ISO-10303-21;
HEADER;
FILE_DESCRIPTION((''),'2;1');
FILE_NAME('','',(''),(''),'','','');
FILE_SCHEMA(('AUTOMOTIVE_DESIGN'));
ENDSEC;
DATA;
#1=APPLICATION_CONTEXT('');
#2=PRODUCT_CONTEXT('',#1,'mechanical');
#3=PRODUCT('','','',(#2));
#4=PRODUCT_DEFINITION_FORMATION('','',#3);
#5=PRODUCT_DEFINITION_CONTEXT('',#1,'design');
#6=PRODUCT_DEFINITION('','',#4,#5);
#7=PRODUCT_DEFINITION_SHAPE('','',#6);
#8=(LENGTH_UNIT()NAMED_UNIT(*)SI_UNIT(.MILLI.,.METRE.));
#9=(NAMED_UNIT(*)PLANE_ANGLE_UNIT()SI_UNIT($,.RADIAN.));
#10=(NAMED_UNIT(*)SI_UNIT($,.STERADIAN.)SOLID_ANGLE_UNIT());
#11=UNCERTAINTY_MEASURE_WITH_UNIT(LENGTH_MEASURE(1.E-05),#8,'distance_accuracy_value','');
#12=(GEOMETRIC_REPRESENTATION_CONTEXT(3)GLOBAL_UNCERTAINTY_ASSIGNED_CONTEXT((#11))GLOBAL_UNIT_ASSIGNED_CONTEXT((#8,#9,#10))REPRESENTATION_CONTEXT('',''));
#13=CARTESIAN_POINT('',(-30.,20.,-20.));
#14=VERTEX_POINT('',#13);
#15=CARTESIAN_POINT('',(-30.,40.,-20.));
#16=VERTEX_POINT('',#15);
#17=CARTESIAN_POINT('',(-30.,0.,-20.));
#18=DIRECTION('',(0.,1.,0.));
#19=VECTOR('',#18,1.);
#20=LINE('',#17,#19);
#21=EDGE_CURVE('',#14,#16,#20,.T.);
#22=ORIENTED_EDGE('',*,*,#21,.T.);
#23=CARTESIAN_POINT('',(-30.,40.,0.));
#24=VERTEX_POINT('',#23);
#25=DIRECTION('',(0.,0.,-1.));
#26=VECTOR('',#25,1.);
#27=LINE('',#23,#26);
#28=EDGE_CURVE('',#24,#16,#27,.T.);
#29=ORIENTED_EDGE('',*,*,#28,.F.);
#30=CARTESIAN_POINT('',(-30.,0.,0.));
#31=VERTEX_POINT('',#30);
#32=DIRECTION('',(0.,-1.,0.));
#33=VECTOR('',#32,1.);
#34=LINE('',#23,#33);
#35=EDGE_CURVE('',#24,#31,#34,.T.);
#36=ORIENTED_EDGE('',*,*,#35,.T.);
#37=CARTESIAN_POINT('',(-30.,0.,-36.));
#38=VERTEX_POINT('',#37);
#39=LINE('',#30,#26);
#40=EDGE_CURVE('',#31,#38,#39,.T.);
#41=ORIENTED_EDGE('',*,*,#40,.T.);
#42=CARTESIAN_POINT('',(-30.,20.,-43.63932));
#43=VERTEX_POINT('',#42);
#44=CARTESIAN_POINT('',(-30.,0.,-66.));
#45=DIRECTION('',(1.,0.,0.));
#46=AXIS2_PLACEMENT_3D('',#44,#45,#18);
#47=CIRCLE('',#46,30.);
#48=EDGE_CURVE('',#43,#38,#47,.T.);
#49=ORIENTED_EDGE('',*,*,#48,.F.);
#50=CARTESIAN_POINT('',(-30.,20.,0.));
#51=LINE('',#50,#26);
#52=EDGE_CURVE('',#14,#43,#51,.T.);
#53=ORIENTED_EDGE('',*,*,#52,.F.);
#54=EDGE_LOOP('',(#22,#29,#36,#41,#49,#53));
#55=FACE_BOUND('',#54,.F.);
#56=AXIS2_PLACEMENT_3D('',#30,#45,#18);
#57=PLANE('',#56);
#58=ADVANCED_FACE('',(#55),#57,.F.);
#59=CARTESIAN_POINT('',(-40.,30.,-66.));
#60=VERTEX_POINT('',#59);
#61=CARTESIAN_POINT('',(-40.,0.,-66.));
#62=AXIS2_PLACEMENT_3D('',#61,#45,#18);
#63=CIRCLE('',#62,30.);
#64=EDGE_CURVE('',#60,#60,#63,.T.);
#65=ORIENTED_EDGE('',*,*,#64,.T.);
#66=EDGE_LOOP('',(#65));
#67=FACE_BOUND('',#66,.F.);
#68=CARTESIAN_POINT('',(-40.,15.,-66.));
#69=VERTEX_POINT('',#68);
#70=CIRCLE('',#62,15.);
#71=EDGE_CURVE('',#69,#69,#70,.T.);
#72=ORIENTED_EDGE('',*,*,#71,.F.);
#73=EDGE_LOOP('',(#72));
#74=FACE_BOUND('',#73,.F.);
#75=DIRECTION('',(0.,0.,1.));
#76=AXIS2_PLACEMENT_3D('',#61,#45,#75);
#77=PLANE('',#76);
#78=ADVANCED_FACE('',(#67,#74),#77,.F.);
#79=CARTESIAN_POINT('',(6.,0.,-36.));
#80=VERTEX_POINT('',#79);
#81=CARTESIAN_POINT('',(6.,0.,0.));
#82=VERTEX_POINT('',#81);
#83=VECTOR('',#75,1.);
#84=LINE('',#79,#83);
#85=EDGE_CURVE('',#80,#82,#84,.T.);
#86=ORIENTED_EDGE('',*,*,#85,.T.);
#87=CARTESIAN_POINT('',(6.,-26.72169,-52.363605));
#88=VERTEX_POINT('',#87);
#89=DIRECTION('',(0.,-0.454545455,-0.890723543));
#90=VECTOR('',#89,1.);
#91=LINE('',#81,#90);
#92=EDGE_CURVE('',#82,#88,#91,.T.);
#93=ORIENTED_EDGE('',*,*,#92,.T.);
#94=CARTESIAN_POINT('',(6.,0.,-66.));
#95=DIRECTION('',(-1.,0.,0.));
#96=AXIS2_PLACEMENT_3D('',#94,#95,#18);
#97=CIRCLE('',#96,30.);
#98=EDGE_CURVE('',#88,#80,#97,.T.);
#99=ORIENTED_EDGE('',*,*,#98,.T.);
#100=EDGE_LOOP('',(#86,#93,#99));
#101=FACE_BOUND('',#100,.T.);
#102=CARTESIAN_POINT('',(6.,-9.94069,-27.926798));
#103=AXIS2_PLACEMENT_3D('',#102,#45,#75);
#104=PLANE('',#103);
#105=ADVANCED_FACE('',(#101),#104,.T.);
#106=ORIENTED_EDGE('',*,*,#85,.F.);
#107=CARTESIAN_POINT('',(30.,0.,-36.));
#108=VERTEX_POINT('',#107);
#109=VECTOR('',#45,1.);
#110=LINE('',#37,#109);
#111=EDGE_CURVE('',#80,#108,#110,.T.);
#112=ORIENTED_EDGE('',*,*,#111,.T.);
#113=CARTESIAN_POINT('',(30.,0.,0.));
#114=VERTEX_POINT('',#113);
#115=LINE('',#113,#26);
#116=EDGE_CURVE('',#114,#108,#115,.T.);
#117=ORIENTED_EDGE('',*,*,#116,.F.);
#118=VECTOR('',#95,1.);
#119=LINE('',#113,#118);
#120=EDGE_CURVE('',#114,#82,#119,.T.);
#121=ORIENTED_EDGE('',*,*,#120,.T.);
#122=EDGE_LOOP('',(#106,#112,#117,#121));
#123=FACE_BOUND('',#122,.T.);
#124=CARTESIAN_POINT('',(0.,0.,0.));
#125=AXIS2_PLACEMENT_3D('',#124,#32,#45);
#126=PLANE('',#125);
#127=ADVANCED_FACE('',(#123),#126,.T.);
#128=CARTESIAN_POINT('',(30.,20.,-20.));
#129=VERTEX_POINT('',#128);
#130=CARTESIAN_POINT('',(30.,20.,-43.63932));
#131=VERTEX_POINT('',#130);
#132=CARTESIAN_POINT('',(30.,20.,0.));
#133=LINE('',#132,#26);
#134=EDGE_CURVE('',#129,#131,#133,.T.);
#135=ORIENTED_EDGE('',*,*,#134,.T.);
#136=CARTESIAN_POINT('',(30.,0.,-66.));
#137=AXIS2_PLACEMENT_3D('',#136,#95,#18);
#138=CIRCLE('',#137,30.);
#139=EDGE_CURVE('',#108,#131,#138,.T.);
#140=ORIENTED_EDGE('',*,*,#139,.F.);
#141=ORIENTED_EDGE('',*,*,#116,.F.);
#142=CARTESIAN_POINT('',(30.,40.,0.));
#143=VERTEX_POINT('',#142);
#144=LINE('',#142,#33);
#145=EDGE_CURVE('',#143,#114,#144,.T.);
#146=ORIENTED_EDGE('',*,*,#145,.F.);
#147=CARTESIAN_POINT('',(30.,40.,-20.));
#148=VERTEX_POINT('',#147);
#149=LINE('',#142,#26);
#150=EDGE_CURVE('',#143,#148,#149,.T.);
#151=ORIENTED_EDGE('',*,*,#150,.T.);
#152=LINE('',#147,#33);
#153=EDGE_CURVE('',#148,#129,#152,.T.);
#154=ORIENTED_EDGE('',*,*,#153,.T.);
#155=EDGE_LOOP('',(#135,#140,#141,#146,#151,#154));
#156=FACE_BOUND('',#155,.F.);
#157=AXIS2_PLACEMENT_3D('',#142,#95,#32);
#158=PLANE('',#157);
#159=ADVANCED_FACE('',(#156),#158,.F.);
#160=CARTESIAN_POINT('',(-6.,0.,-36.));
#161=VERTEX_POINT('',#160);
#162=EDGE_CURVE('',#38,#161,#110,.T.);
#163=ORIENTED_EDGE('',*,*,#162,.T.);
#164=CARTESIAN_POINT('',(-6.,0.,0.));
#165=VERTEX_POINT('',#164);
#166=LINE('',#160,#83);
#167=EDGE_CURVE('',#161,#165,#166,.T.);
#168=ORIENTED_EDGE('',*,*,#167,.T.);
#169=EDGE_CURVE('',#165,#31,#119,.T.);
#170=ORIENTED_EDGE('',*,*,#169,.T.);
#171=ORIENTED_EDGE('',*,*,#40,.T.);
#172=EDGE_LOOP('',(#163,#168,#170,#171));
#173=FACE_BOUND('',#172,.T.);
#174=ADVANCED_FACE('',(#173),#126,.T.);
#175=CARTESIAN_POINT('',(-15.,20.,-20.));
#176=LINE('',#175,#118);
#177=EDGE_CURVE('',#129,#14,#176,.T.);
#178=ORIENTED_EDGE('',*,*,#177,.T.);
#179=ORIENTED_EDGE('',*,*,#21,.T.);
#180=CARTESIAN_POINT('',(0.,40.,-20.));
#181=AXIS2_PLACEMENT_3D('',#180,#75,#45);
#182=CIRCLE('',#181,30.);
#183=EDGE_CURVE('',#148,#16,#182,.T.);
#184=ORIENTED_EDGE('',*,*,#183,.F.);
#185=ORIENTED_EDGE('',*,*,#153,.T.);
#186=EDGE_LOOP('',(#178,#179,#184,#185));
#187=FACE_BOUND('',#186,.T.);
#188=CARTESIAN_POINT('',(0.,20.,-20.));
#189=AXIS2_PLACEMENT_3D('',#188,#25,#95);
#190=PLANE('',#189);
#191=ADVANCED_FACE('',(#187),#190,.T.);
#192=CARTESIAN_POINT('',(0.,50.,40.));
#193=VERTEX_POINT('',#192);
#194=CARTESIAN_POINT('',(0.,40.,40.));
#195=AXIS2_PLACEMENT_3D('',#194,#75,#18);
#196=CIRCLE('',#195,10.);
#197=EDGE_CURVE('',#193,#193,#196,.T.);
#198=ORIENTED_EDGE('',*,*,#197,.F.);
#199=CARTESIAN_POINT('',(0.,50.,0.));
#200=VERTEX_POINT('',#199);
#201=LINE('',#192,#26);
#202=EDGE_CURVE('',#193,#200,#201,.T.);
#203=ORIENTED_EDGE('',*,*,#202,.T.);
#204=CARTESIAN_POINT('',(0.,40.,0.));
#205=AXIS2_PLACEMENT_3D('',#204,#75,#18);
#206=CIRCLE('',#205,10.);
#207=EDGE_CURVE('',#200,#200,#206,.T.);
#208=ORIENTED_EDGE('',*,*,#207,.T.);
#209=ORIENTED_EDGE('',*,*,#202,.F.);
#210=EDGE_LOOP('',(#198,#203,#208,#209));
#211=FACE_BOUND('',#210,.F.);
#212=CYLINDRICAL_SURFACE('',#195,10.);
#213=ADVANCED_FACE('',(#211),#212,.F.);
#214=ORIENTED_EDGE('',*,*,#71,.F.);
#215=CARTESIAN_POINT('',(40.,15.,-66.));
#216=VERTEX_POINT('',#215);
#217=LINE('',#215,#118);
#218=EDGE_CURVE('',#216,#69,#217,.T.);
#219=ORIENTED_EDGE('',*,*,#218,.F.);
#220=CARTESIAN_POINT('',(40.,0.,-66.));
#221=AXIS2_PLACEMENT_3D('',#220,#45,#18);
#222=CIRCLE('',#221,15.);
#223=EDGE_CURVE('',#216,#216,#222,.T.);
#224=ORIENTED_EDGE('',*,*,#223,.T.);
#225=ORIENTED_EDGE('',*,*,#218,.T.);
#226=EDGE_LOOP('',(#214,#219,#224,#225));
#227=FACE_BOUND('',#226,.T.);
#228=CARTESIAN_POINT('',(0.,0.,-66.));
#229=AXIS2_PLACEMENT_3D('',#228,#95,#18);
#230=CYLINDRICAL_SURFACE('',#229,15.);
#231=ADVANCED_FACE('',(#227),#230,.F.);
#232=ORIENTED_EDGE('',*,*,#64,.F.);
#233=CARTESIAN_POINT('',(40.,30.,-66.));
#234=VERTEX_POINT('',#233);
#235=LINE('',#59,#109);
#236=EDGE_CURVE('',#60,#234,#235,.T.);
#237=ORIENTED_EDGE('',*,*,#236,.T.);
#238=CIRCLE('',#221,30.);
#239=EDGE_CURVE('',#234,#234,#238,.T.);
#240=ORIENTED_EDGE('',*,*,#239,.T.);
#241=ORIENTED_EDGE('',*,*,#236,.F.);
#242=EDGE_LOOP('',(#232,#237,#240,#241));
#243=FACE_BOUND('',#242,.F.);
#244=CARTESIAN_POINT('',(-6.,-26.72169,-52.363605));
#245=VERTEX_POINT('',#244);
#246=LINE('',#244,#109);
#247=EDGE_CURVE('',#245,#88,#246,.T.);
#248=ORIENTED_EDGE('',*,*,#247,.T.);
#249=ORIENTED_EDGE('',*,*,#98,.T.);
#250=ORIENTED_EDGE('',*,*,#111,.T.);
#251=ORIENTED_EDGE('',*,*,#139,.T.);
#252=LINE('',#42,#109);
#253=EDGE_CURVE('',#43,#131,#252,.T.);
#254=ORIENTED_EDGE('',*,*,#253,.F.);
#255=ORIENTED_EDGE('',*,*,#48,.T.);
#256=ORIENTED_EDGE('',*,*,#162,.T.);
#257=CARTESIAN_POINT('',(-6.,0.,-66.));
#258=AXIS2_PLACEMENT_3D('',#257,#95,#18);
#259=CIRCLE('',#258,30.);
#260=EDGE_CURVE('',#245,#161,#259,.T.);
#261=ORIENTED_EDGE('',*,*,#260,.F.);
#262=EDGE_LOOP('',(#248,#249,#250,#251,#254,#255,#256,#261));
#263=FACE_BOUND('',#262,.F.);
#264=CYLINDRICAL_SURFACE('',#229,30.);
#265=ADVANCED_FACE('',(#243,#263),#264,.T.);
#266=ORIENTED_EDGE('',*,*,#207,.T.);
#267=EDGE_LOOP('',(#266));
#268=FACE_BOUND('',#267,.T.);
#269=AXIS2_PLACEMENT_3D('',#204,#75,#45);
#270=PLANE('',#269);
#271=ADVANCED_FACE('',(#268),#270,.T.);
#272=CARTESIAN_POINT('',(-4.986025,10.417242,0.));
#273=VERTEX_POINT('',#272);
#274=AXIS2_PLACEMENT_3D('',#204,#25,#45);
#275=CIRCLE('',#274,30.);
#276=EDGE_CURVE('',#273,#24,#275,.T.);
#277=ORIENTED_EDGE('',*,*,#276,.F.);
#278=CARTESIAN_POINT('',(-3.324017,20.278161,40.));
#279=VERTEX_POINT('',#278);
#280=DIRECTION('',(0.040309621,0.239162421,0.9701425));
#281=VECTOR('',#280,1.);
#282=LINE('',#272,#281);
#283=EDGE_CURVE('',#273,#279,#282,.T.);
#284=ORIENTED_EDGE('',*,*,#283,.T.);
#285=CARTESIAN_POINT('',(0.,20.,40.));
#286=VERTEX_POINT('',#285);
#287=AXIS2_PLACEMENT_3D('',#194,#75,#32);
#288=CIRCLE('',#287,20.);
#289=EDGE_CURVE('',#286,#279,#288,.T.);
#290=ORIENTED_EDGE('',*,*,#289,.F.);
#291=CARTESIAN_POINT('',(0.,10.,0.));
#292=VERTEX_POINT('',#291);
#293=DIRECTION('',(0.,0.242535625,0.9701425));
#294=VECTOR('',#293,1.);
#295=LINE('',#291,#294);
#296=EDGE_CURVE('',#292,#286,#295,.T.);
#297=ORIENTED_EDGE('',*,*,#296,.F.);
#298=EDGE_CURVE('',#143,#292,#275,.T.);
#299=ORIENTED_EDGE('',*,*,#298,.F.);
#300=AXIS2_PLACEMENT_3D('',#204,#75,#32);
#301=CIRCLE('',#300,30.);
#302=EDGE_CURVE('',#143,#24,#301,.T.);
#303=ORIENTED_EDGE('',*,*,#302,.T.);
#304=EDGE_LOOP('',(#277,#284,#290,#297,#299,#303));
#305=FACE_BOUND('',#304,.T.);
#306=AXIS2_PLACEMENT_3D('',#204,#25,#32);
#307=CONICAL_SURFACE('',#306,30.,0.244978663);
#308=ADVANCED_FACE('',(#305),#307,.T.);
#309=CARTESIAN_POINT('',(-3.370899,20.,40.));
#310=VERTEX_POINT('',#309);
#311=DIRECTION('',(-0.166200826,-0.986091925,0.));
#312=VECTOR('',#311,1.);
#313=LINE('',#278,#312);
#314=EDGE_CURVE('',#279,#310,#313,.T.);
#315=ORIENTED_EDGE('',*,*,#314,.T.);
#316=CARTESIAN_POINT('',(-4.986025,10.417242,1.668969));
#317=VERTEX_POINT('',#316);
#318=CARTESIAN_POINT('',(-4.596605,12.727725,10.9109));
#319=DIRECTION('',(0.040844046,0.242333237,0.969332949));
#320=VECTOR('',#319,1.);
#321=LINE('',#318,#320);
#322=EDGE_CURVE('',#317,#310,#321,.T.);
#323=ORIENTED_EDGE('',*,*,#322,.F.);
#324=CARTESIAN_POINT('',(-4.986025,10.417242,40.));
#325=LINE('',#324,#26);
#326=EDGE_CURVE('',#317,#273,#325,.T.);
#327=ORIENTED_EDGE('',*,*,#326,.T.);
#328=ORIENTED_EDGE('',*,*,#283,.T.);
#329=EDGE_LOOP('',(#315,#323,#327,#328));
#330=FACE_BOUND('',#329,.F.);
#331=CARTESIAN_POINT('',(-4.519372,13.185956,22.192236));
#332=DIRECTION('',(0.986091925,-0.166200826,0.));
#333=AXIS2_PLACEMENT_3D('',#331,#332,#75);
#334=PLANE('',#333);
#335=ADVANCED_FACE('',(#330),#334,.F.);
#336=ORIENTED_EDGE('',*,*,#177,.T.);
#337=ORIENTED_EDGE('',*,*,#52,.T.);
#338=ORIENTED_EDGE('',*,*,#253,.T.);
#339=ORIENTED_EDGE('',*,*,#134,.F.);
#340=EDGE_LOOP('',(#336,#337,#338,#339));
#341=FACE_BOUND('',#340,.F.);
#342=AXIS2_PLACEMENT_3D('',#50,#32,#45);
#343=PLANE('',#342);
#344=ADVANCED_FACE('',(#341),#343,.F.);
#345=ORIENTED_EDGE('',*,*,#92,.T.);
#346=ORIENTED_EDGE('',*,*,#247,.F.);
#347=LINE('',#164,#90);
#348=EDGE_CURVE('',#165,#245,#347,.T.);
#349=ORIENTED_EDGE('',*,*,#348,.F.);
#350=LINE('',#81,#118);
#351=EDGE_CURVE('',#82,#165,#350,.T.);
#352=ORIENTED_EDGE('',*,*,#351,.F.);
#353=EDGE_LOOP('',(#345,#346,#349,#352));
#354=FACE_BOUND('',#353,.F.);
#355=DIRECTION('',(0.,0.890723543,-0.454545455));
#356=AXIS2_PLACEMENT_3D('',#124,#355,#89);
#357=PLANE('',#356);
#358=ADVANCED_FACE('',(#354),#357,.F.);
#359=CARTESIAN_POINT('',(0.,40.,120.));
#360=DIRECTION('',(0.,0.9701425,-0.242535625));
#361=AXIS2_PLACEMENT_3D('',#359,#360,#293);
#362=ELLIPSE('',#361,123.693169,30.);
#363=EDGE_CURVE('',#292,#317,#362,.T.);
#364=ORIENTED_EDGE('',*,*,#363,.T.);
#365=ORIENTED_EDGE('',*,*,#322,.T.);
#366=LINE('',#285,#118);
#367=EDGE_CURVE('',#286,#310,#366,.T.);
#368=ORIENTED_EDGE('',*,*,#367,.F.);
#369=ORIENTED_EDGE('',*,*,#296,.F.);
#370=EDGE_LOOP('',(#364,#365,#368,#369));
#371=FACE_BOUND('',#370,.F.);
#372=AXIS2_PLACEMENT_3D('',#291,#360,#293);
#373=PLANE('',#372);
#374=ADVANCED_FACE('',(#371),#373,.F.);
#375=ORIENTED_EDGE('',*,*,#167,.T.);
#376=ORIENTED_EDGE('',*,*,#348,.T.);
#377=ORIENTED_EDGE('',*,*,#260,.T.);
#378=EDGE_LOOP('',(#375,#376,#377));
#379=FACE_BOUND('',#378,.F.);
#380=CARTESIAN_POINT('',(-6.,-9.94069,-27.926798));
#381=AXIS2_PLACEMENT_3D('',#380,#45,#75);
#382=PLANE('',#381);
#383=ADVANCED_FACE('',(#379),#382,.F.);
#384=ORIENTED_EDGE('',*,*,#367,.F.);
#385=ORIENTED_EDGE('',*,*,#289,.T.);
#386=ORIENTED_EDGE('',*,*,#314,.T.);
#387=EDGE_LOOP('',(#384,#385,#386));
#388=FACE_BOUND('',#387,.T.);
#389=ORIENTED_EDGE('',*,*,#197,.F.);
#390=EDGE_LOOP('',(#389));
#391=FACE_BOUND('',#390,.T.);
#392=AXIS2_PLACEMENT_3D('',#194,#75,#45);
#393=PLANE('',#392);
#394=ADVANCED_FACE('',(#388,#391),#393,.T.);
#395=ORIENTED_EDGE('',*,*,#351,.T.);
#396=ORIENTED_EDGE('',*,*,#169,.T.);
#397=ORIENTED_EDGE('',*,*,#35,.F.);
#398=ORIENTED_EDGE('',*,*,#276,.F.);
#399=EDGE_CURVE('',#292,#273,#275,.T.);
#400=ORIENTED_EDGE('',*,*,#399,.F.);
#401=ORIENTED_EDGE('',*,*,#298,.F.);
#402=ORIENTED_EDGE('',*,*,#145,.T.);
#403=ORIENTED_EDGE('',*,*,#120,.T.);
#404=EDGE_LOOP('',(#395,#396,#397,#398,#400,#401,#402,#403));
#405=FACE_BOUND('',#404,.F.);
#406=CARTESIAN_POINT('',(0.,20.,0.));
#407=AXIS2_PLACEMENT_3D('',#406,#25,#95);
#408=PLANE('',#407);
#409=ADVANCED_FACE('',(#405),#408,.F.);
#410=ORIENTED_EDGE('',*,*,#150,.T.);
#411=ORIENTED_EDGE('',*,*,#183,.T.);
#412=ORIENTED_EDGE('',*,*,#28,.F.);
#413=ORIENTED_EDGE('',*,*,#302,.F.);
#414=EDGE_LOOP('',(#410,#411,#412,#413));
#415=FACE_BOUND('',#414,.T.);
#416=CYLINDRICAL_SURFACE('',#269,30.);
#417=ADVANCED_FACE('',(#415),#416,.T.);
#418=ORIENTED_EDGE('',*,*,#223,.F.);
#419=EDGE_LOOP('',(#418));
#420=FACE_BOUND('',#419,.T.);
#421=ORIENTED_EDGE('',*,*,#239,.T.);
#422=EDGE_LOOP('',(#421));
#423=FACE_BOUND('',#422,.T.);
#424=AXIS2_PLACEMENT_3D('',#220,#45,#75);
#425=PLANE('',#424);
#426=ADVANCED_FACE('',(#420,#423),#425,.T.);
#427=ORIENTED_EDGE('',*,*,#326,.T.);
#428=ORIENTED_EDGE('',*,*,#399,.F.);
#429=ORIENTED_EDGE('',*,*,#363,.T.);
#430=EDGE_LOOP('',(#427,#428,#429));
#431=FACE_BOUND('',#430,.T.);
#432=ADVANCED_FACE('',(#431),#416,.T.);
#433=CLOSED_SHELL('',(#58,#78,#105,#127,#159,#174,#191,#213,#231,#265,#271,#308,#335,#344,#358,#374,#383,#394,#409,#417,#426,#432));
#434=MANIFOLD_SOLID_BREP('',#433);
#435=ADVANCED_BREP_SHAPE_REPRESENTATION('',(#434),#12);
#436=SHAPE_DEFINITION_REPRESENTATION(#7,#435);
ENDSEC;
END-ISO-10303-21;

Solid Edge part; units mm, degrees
sketch "Sketch1" plane through (0, 0, 0) normal (0, 0, 1) x (1, 0, 0)
  line L0 (30, 40) -> (30, 0)
  line L1 (0, 0) -> (30, 0)
  line L2 (0, 0) -> (-30, 0)
  line L3 (-30, 0) -> (-30, 40)
  line L4 (-30, 40) -> (30, 40)
extrude "Protrusion1" add sketch "Sketch1" against normal blind 20
sketch "Sketch2" plane through (0, 0, 0) normal (0, 0, 1) x (1, 0, 0)
  circle A0 centre (0, 40) radius 30
extrude "ExtrudedProtrusion_2" add sketch "Sketch2" against normal blind 20 and the other way blind 40
sketch "Sketch3" plane through (0, 0, 0) normal (0, 0, 1) x (1, 0, 0)
  line L0 (-30, 20) -> (30, 20)
  line L1 (30, 20) -> (30, 0)
  line L2 (30, 0) -> (-30, 0)
  line L3 (-30, 0) -> (-30, 20)
extrude "ExtrudedProtrusion_4" add sketch "Sketch3" against normal blind 60
sketch "Sketch4" plane through (0, 0, 0) normal (1, 0, 0) x (0, 1, 0)
  circle A0 centre (0, -66) radius 30
extrude "ExtrudedProtrusion_5" add sketch "Sketch4" along normal mid plane 80
sketch "Sketch5" plane through (0, 0, 0) normal (1, 0, 0) x (0, 1, 0)
  circle A0 centre (0, -66) radius 15
extrude "ExtrudedCutout_1" cut sketch "Sketch5" along normal mid plane 80
sketch "Sketch6" plane through (0, 0, 0) normal (1, 0, 0) x (0, 1, 0)
  line L0 (0, 0) -> (-26.7217, -52.3636)
  line L1 (0, -36) -> (0, 0)
  arc A0 (-26.7217, -52.3636) -> (0, -36) centre (0, -66) cw
extrude "ExtrudedProtrusion_6" add sketch "Sketch6" along normal mid plane 12
sketch "Sketch7" plane through (0, 40, 40) normal (0, 0, 1) x (0, 1, 0)
  circle A0 centre (0, 0) radius 10
extrude "Cutout1" cut sketch "Sketch7" against normal up to vertex (40 mm away)
sketch "Sketch8" plane through (0, 0, 0) normal (1, 0, 0) x (0, 1, 0)
  line L0 (10, 40) -> (10, 0)
  line L1 (10, 0) -> (20, 40)
  line L2 (20, 40) -> (10, 40)
revolve "RevolvedCutout_2" cut sketch "Sketch8" angle 350.433 about axis through (0, 40, 40) along (0, 0, 1)
sketch "Sketch9" plane through (0, 0, 0) normal (1, 0, 0) x (0, 1, 0)
  line L0 (20, 40) -> (10, 40)
  line L1 (10, 40) -> (10, 0)
  line L2 (10, 0) -> (20, 40)
extrude "ExtrudedCutout_3" cut sketch "Sketch9" against normal blind 14.7249
